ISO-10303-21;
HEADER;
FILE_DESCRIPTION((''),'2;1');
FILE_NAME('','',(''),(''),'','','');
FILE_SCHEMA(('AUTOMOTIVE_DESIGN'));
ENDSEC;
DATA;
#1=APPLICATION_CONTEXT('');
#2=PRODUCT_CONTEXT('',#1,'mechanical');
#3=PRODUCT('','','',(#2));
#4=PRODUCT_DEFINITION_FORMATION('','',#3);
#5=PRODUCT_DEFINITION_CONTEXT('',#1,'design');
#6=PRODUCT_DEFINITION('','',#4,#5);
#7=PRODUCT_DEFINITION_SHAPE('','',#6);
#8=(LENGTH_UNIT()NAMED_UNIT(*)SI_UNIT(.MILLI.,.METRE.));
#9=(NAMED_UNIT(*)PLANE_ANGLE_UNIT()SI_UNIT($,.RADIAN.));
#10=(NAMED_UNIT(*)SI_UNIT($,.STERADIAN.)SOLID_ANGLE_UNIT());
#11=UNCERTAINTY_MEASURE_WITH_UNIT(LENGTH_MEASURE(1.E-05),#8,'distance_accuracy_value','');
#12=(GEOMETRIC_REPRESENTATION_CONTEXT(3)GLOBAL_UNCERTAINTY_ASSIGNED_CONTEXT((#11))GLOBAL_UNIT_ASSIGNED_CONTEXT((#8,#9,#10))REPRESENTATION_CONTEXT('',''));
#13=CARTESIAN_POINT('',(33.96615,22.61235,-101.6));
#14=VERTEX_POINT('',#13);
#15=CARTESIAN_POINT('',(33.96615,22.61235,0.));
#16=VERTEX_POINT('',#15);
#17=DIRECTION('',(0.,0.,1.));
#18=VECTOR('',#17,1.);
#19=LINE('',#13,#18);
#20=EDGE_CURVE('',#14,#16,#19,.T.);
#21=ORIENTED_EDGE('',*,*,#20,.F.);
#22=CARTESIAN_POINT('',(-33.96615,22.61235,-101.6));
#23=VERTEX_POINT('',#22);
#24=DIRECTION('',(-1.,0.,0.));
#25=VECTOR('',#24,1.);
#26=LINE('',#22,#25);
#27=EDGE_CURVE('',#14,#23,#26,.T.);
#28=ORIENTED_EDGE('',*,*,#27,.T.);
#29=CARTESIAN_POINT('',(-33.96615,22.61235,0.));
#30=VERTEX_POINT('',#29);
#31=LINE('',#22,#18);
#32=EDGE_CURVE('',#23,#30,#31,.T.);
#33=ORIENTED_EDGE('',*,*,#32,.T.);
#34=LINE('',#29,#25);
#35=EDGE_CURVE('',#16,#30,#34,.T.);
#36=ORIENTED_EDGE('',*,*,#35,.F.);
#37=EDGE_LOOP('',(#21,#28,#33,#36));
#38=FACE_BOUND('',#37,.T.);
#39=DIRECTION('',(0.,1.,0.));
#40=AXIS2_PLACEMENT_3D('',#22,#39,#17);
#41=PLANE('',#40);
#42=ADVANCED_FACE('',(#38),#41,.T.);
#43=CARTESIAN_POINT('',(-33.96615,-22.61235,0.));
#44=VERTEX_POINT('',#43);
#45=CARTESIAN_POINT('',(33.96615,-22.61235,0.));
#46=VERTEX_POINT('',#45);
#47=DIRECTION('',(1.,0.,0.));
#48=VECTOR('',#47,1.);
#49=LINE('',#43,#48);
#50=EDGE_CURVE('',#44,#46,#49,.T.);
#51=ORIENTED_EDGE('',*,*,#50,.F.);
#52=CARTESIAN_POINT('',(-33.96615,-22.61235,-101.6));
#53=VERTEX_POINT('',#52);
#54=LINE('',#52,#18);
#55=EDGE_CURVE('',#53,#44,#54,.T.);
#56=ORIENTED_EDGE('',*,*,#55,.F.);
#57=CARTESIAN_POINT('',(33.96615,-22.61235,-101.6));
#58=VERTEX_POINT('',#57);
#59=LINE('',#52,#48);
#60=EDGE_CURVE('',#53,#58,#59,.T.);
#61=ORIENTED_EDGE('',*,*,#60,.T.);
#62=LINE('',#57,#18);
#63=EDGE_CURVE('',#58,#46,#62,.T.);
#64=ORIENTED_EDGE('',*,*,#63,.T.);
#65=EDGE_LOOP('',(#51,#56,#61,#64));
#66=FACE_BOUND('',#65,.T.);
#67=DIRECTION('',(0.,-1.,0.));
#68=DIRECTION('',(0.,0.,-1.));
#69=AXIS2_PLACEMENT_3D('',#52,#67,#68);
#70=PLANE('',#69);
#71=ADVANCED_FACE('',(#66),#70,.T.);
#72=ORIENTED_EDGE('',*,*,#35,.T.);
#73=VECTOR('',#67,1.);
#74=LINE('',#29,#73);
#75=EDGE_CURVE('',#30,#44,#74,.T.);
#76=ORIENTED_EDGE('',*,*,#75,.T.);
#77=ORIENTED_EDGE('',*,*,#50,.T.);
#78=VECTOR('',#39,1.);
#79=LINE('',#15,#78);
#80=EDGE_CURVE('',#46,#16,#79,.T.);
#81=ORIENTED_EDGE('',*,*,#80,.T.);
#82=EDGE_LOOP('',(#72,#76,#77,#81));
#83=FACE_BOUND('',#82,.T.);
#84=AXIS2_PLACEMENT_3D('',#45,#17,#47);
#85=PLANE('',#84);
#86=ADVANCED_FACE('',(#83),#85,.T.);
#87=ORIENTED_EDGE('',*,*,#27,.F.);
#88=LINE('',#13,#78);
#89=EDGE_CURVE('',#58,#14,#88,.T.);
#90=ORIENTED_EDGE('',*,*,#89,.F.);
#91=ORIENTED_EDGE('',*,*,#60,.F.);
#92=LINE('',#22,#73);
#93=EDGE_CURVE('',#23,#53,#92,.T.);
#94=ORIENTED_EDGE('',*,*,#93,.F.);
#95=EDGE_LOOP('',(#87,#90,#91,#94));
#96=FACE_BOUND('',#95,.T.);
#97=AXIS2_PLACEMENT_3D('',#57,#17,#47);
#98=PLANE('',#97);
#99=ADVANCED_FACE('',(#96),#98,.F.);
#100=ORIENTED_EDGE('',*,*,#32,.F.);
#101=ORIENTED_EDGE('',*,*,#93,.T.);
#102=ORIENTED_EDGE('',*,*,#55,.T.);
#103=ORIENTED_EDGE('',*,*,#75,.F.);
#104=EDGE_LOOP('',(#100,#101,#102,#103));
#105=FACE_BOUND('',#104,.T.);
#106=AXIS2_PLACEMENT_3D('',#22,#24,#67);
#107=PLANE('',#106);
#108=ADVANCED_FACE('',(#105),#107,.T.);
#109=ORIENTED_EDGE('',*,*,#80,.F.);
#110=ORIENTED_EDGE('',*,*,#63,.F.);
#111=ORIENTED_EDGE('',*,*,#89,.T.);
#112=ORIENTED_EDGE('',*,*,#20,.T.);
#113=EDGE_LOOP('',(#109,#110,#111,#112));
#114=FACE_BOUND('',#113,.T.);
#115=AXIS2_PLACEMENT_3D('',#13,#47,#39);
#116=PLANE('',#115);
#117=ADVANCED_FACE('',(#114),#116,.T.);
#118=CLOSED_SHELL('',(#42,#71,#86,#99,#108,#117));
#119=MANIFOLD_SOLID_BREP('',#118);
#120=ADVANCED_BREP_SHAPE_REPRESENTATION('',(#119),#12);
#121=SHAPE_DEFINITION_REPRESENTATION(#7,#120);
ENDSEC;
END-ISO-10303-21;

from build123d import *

# Parameters (mm, degrees)
SKETCH1_W      = 67.9323
SKETCH1_H      = 45.2247
EXTRUDE1_DEPTH = 101.6


with BuildPart() as part:
    # Sketch1 → Extrude1 (new body)
    with BuildSketch(Plane.XY):
        Rectangle(SKETCH1_W, SKETCH1_H)
    extrude(amount=-EXTRUDE1_DEPTH)


solid = part.part
